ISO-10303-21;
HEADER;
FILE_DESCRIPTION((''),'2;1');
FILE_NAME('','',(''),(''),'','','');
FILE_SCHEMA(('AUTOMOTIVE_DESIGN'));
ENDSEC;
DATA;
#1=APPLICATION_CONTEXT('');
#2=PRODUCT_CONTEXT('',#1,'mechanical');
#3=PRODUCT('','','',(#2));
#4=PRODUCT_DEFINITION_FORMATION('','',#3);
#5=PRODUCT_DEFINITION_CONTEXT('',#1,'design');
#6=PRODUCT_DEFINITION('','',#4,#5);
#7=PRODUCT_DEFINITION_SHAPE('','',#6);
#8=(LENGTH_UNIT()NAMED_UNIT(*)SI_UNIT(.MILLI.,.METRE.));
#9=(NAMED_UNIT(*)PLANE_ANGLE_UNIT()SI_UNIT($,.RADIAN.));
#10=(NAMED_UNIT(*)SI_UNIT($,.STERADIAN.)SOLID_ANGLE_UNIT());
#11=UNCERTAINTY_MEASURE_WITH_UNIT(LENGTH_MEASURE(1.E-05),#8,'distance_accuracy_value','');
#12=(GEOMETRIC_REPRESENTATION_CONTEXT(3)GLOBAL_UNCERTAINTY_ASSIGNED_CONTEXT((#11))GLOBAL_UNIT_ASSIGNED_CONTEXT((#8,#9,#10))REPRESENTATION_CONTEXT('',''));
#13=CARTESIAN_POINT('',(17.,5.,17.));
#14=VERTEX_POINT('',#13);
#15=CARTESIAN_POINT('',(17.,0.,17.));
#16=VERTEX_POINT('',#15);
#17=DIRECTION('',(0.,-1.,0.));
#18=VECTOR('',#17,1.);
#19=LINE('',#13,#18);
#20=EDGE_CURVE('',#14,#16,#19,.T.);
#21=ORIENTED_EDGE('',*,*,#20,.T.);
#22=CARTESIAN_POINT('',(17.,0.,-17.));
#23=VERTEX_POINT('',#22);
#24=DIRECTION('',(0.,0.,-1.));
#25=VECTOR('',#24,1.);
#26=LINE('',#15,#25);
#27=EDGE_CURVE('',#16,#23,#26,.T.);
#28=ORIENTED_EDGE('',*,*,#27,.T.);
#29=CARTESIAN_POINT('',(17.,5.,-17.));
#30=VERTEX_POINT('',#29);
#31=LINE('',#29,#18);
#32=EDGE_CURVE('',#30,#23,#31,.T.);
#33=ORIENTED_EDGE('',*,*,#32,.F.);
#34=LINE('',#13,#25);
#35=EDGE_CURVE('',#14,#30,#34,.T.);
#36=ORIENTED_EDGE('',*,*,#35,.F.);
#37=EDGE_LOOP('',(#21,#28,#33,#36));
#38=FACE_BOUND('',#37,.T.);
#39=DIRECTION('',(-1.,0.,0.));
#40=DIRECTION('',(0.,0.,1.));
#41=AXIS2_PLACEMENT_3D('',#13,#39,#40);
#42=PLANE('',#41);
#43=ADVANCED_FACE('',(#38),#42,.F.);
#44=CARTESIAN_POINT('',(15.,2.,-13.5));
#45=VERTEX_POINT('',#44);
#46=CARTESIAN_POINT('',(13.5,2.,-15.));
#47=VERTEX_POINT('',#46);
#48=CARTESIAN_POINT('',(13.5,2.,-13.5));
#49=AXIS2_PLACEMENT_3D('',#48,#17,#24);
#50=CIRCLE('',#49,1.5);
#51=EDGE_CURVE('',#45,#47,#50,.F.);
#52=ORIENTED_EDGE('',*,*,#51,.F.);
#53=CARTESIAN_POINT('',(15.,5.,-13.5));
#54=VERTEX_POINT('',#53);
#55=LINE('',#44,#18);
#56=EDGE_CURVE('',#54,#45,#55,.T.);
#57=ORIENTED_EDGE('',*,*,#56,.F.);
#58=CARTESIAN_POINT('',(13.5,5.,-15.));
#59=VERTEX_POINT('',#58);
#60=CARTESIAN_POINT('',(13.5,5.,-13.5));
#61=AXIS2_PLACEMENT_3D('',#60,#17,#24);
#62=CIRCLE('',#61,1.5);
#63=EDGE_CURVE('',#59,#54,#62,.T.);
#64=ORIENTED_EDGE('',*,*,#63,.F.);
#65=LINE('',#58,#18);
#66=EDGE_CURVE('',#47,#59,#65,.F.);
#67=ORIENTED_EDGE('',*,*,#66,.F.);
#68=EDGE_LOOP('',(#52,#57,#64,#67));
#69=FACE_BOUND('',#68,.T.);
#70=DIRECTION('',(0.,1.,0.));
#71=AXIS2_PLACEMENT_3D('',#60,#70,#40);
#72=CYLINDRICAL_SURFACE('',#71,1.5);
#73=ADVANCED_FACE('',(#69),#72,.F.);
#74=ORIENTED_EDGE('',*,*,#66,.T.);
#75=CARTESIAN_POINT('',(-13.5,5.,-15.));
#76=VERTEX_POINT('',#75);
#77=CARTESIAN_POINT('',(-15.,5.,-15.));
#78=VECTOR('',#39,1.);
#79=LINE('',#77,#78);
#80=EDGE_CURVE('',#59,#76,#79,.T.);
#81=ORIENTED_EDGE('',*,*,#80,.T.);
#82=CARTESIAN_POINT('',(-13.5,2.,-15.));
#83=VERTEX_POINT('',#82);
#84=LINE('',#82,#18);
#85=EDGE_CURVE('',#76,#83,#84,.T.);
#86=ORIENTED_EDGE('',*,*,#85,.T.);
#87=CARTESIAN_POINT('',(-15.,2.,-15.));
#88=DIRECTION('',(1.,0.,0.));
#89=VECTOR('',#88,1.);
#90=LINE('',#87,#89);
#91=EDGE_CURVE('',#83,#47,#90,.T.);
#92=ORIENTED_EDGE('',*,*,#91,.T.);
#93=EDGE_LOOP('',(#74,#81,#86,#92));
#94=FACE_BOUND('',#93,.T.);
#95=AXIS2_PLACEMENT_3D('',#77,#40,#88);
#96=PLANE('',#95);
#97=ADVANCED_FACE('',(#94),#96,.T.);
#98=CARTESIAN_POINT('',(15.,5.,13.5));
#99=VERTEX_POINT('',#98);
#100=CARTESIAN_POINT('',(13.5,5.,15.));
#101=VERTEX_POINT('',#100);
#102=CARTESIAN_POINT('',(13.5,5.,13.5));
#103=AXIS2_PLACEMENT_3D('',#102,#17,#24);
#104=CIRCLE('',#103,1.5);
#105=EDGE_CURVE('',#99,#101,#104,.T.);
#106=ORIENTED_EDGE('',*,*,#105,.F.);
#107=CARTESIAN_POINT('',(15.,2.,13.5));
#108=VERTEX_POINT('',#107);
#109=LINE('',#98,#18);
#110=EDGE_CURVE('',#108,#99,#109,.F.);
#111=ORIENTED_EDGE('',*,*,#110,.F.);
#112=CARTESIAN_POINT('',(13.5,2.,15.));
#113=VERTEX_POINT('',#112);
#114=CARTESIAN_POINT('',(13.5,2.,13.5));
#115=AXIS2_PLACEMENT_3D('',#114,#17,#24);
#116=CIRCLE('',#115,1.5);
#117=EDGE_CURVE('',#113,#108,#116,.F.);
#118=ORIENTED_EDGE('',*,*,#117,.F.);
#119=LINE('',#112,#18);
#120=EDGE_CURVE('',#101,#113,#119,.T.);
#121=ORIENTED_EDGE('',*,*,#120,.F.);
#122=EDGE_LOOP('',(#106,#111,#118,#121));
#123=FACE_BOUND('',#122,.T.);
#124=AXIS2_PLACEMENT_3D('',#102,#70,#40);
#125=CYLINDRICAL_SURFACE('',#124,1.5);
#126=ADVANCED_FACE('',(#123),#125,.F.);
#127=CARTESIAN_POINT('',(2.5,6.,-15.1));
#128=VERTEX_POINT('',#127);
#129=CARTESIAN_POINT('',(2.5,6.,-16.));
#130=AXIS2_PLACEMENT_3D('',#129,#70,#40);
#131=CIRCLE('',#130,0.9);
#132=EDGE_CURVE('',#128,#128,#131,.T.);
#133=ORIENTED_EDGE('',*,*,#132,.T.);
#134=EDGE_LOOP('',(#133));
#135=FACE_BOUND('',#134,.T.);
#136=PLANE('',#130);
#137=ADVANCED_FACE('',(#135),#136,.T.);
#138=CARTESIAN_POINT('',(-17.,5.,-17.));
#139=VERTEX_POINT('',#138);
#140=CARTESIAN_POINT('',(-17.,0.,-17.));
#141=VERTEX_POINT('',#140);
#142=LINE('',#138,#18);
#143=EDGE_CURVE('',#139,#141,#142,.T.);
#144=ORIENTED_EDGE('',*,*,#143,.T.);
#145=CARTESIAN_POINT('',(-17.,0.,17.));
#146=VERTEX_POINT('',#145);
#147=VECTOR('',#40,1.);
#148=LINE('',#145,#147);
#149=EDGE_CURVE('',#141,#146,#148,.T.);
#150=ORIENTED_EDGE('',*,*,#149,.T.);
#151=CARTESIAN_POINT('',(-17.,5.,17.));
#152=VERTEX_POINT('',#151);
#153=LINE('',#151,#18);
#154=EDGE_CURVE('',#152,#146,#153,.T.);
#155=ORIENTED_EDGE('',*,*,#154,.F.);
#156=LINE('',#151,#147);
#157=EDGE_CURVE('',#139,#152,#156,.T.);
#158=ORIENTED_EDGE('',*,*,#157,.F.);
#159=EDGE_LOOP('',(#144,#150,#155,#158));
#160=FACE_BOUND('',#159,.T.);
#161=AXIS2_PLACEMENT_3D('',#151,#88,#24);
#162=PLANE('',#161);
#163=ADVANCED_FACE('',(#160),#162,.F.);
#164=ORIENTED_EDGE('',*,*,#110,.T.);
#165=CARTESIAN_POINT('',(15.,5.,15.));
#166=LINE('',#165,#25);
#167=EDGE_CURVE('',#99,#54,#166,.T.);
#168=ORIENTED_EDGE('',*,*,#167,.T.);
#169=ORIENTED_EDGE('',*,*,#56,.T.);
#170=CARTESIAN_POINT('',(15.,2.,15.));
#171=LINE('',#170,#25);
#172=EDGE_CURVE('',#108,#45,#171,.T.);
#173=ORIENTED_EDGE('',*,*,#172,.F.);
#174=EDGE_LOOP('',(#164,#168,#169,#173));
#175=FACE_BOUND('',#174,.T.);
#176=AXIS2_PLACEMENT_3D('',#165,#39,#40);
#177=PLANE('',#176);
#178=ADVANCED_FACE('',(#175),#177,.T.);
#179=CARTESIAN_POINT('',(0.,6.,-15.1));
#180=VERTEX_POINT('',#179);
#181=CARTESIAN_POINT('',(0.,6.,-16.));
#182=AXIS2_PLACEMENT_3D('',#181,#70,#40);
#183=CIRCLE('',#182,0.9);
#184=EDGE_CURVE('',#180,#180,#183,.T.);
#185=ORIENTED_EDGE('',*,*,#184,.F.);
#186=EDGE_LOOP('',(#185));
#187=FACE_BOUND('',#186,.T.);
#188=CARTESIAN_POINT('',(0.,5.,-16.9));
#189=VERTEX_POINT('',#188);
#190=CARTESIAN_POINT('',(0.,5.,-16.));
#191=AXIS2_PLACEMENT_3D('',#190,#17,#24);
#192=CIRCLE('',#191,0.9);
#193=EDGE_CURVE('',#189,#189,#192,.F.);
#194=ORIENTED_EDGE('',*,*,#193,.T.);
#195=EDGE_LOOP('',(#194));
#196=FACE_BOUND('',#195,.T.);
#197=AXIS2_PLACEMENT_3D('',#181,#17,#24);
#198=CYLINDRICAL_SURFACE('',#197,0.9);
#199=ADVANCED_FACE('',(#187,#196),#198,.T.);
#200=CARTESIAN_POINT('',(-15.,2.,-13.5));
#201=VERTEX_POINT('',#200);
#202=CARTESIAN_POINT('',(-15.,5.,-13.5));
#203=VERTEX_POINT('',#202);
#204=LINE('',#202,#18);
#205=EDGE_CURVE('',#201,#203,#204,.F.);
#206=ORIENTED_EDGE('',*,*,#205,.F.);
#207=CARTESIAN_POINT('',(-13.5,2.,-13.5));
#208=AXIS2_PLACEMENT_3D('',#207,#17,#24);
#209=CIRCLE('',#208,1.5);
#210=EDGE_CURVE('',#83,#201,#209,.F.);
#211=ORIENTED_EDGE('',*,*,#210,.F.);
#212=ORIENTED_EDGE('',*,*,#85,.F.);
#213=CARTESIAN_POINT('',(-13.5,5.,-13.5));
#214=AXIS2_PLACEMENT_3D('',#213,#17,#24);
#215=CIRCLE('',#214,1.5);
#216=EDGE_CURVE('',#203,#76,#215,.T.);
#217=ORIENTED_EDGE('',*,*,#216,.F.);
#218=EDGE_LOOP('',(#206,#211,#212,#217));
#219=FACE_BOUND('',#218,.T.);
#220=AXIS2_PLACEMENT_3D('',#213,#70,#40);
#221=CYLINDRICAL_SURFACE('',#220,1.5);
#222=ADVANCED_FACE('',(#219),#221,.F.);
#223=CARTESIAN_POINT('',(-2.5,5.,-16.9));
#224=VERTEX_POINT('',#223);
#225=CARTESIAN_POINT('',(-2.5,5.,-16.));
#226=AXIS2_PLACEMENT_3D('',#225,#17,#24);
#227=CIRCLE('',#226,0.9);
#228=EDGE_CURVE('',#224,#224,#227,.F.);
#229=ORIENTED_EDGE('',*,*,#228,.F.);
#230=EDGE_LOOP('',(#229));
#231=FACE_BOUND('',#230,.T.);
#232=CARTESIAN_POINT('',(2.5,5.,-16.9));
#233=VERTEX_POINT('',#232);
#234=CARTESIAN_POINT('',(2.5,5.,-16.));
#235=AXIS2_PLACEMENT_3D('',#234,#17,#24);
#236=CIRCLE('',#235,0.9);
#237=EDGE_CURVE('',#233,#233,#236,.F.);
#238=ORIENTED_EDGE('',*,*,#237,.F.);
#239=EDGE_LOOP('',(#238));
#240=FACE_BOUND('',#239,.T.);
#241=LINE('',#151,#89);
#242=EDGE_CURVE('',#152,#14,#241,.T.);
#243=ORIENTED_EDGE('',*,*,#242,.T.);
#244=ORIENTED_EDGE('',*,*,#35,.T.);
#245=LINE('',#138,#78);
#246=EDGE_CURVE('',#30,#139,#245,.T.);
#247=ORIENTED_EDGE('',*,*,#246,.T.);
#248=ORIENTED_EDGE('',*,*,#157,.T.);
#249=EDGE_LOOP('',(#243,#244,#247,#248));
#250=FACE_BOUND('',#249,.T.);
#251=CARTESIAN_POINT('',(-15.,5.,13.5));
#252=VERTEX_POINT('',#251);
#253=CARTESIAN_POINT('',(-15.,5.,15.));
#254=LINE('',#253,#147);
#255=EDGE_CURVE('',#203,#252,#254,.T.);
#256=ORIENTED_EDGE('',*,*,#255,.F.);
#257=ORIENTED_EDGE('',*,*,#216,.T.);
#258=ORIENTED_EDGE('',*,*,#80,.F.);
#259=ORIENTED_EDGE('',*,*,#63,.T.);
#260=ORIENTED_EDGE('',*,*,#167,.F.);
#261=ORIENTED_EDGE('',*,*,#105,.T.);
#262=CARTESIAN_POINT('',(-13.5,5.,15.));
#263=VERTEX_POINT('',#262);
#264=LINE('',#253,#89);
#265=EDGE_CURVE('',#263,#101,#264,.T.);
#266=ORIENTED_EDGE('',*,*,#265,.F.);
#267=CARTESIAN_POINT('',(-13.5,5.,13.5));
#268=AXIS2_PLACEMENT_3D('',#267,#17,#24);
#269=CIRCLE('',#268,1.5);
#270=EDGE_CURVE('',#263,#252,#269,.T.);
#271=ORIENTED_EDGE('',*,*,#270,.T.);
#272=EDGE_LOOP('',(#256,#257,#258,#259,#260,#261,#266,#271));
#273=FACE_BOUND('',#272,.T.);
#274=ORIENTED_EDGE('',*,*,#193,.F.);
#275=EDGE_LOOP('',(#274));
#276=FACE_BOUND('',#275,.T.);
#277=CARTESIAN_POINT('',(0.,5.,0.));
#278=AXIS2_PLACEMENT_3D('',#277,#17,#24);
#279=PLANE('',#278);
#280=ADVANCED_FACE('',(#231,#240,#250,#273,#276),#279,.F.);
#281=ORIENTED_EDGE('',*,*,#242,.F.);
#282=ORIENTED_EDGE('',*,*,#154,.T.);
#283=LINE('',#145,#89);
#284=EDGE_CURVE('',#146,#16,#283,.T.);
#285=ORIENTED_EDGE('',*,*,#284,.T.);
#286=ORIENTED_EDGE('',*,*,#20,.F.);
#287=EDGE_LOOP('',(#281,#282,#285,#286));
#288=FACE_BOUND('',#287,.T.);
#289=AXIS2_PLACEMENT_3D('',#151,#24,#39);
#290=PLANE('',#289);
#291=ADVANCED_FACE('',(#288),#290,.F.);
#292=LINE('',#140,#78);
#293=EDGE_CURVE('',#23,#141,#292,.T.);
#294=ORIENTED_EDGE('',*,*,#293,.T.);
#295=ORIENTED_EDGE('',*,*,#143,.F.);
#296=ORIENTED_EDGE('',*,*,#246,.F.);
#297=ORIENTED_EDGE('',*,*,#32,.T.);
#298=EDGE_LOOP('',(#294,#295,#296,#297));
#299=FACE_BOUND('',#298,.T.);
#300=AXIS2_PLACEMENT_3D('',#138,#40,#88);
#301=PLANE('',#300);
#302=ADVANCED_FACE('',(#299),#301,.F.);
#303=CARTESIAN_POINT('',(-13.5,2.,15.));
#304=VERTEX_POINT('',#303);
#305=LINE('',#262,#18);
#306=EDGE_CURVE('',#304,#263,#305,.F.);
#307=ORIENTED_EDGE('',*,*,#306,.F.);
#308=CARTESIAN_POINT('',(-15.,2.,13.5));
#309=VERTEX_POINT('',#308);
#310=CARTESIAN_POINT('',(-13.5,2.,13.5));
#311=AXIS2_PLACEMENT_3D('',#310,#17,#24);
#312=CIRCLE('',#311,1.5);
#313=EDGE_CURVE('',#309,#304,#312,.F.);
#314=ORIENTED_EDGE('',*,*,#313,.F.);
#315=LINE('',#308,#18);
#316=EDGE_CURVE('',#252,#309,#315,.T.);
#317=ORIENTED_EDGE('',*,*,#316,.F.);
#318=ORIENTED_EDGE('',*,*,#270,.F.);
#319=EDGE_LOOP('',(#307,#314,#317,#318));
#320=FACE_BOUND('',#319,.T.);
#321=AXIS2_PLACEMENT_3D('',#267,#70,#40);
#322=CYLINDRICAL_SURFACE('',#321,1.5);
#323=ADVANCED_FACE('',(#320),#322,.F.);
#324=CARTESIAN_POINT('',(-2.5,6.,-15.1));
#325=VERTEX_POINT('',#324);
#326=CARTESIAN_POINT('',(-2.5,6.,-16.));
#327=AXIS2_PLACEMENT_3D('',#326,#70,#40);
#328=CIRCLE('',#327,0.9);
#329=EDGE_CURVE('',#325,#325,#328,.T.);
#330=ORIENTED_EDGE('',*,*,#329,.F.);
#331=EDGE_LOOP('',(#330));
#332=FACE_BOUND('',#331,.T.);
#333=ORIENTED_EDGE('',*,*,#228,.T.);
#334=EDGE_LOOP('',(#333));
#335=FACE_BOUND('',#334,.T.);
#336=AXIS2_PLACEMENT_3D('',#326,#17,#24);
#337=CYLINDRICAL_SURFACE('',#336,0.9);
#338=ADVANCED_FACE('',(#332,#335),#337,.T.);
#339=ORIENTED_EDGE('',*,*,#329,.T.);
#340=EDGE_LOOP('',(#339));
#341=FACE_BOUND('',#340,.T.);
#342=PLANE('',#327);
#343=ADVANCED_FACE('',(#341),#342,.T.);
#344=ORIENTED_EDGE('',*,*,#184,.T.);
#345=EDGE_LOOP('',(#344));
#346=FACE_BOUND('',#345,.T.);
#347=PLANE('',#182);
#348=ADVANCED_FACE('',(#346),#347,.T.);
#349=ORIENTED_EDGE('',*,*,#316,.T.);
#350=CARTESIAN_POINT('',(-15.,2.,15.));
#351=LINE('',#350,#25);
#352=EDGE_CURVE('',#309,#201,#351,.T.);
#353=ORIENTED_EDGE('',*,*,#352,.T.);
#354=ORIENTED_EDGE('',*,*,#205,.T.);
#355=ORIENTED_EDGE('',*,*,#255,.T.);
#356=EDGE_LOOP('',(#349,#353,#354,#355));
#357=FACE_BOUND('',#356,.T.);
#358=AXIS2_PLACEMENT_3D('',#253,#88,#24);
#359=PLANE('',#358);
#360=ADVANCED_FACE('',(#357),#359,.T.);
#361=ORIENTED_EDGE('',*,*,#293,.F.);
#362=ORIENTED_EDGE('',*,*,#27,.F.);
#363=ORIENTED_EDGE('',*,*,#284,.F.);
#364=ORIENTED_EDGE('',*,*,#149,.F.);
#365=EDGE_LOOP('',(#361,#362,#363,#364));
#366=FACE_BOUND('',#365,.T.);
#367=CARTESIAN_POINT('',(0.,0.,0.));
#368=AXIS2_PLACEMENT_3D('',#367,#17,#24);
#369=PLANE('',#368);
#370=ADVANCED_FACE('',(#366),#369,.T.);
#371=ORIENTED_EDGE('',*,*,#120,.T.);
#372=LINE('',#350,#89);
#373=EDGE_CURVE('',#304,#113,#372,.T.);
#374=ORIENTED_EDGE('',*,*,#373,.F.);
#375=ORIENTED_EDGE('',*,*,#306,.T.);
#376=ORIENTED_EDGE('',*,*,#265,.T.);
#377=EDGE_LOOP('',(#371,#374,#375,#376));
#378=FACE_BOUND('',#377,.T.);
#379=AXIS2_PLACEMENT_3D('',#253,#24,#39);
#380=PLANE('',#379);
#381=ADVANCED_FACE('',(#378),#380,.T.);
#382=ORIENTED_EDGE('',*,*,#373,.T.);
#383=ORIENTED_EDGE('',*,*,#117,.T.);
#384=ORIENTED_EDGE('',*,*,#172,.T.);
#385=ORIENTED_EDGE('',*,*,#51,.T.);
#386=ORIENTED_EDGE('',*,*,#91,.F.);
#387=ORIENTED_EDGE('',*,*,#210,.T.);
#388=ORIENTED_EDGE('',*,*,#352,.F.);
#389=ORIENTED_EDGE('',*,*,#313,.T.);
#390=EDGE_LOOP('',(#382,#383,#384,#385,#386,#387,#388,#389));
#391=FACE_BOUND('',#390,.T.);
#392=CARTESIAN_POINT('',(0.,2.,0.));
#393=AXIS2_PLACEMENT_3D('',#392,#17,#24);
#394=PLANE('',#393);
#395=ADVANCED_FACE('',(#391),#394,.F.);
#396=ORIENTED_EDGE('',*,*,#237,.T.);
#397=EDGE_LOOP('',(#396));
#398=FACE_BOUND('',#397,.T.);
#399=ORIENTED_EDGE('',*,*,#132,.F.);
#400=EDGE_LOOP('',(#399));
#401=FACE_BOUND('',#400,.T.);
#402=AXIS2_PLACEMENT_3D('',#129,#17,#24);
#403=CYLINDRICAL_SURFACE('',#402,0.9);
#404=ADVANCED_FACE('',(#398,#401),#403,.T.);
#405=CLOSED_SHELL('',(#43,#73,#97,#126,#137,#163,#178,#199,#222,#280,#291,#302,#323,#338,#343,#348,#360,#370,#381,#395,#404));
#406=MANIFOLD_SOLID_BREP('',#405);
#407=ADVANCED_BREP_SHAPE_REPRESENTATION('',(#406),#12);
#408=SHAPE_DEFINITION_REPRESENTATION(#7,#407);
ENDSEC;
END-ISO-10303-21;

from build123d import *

# Parameters (mm, degrees)
SKETCH1_W           = 30
SKETCH1_H           = 30
BOSS_EXTRUDE2_DEPTH = 2
SKETCH1_6_W         = 34
SKETCH1_6_H         = 34
SKETCH1_6_W_2       = 30
SKETCH1_6_H_2       = 30
BOSS_EXTRUDE3_DEPTH = 5
FILLET1_R           = 1.5
SKETCH2_R           = 0.9
BOSS_EXTRUDE4_DEPTH = 1


with BuildPart() as part:
    # Sketch1 → Boss-Extrude2 (new body)
    with BuildSketch(Plane(origin=(0, 0, 0), x_dir=(1, 0, 0), z_dir=(0, 1, 0))):
        Rectangle(SKETCH1_W, SKETCH1_H)
    extrude(amount=BOSS_EXTRUDE2_DEPTH)

    # Sketch1<6> → Boss-Extrude3 (add)
    with BuildSketch(Plane(origin=(0, 0, 0), x_dir=(1, 0, 0), z_dir=(0, 1, 0))):
        Rectangle(SKETCH1_6_W, SKETCH1_6_H)
        Rectangle(SKETCH1_6_W_2, SKETCH1_6_H_2, mode=Mode.SUBTRACT)
    extrude(amount=BOSS_EXTRUDE3_DEPTH)

    # Fillet1
    fillet1_edges = [part.edges().sort_by_distance(p)[0] for p in [
        (15, 3.5, -15),
        (-15, 3.5, -15),
        (-15, 3.5, 15),
        (15, 3.5, 15),
    ]]
    fillet(fillet1_edges, radius=FILLET1_R)

    # Sketch2 → Boss-Extrude4 (add)
    with BuildSketch(Plane(origin=(0, 5, 0), x_dir=(1, 0, 0), z_dir=(0, 1, 0))):
        with Locations((0, 16)):
            Circle(SKETCH2_R)
        with Locations((2.5, 16)):
            Circle(SKETCH2_R)
        with Locations((-2.5, 16)):
            Circle(SKETCH2_R)
    extrude(amount=BOSS_EXTRUDE4_DEPTH)


solid = part.part
